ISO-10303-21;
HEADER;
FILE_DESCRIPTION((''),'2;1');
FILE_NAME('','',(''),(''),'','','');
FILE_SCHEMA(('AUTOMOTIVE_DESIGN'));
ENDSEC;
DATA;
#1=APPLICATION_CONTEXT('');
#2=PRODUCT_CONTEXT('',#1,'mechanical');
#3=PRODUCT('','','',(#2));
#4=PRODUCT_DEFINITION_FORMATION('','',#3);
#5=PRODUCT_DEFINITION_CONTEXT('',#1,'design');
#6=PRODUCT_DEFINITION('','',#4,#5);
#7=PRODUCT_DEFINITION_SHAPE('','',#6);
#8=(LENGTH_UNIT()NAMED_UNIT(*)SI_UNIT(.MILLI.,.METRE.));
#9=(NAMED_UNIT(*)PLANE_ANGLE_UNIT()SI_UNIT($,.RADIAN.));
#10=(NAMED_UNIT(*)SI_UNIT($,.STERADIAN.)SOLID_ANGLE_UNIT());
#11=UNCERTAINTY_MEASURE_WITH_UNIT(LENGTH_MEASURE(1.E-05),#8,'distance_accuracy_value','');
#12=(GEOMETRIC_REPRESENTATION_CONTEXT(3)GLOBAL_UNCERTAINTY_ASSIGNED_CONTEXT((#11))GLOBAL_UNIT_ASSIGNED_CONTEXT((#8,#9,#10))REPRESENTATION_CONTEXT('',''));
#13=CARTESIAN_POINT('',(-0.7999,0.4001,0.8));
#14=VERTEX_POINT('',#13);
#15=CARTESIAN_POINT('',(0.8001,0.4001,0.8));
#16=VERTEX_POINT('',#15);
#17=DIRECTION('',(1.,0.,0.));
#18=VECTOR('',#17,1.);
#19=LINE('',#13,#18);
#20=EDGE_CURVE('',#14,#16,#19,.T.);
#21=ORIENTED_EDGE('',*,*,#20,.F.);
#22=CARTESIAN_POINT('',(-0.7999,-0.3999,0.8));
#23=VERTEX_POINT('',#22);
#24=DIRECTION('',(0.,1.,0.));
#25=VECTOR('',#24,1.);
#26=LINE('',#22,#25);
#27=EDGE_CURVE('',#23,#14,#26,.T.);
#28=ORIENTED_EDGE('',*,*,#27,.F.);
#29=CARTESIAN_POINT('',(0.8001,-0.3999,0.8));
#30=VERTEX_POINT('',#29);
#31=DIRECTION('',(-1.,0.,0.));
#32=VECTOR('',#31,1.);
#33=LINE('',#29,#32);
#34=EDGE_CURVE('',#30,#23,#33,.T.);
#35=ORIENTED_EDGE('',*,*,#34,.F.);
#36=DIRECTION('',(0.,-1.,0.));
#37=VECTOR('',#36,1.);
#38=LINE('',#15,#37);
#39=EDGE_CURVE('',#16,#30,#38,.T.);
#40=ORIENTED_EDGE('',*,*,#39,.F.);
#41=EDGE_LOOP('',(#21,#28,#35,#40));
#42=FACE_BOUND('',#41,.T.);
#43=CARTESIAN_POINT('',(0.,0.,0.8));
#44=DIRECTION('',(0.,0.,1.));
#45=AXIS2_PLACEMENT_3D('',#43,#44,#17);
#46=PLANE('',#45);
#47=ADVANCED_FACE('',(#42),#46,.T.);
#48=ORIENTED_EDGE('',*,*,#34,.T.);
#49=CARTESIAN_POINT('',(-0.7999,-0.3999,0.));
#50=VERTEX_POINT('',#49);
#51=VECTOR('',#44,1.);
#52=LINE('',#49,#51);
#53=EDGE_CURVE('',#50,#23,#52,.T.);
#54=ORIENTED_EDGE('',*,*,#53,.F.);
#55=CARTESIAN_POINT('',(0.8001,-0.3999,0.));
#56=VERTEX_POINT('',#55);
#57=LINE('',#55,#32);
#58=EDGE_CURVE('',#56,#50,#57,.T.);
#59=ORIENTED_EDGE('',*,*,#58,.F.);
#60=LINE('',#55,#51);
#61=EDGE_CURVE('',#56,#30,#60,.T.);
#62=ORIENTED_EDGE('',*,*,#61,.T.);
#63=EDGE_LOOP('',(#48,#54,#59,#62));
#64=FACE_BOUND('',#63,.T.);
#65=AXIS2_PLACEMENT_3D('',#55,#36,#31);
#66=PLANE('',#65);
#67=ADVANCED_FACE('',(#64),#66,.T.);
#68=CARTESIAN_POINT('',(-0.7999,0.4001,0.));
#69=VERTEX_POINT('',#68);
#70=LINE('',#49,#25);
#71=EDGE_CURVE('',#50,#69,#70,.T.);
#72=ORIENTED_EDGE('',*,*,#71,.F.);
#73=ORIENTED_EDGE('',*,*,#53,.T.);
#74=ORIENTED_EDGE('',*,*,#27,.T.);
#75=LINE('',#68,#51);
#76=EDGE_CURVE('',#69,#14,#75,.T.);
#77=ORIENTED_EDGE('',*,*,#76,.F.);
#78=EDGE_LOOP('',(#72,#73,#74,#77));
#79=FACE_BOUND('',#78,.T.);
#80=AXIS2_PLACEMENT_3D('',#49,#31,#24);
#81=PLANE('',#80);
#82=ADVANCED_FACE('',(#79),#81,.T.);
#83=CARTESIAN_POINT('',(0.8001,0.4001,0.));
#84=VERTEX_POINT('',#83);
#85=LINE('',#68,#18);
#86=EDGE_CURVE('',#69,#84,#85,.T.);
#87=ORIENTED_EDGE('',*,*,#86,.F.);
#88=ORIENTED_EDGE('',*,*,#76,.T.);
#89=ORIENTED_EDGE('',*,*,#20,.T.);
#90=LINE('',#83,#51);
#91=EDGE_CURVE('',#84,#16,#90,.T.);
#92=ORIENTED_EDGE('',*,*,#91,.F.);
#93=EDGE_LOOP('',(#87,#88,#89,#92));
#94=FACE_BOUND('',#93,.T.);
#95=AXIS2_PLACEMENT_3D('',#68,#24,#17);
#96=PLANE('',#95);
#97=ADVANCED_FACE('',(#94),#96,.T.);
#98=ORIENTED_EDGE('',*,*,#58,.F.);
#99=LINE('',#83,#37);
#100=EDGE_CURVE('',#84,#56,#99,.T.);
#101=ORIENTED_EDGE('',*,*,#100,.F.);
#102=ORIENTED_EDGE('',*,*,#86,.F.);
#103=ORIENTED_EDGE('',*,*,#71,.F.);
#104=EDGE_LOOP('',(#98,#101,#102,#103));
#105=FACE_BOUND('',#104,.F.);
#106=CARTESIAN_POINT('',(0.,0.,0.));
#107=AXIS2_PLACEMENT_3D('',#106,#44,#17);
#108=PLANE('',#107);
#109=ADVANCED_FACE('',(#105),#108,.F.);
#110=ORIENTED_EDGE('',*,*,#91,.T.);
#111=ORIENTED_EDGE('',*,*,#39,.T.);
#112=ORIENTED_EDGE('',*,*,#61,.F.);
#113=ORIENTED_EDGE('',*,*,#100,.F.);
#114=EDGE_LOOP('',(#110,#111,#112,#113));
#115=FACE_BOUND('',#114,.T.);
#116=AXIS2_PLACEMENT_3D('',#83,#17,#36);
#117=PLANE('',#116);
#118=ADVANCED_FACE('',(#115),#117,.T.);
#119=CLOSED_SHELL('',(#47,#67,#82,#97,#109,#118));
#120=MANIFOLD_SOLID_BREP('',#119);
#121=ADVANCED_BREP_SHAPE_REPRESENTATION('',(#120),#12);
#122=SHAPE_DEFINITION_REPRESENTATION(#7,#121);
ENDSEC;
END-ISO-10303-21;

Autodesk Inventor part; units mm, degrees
ref_plane "YZ Plane" through (0, 0, 0) normal (1, 0, 0) x (0, 1, 0)
ref_plane "XZ Plane" through (0, 0, 0) normal (0, 1, 0) x (-1, 0, 0)
ref_plane "XY Plane" through (0, 0, 0) normal (0, 0, 1) x (1, 0, 0)
sketch "R0603, 1.8K_87" plane through (0, 0, 0) normal (0, 0, 1) x (1, 0, 0)
  line L0 (-0.7999, -0.3999) -> (-0.7999, 0.4001)
  line L1 (-0.7999, 0.4001) -> (0.8001, 0.4001)
  line L2 (0.8001, 0.4001) -> (0.8001, -0.3999)
  line L3 (0.8001, -0.3999) -> (-0.7999, -0.3999)
extrude "Extrusion1" add sketch "R0603, 1.8K_87" along normal blind 0.8
properties part number "1.8K"
